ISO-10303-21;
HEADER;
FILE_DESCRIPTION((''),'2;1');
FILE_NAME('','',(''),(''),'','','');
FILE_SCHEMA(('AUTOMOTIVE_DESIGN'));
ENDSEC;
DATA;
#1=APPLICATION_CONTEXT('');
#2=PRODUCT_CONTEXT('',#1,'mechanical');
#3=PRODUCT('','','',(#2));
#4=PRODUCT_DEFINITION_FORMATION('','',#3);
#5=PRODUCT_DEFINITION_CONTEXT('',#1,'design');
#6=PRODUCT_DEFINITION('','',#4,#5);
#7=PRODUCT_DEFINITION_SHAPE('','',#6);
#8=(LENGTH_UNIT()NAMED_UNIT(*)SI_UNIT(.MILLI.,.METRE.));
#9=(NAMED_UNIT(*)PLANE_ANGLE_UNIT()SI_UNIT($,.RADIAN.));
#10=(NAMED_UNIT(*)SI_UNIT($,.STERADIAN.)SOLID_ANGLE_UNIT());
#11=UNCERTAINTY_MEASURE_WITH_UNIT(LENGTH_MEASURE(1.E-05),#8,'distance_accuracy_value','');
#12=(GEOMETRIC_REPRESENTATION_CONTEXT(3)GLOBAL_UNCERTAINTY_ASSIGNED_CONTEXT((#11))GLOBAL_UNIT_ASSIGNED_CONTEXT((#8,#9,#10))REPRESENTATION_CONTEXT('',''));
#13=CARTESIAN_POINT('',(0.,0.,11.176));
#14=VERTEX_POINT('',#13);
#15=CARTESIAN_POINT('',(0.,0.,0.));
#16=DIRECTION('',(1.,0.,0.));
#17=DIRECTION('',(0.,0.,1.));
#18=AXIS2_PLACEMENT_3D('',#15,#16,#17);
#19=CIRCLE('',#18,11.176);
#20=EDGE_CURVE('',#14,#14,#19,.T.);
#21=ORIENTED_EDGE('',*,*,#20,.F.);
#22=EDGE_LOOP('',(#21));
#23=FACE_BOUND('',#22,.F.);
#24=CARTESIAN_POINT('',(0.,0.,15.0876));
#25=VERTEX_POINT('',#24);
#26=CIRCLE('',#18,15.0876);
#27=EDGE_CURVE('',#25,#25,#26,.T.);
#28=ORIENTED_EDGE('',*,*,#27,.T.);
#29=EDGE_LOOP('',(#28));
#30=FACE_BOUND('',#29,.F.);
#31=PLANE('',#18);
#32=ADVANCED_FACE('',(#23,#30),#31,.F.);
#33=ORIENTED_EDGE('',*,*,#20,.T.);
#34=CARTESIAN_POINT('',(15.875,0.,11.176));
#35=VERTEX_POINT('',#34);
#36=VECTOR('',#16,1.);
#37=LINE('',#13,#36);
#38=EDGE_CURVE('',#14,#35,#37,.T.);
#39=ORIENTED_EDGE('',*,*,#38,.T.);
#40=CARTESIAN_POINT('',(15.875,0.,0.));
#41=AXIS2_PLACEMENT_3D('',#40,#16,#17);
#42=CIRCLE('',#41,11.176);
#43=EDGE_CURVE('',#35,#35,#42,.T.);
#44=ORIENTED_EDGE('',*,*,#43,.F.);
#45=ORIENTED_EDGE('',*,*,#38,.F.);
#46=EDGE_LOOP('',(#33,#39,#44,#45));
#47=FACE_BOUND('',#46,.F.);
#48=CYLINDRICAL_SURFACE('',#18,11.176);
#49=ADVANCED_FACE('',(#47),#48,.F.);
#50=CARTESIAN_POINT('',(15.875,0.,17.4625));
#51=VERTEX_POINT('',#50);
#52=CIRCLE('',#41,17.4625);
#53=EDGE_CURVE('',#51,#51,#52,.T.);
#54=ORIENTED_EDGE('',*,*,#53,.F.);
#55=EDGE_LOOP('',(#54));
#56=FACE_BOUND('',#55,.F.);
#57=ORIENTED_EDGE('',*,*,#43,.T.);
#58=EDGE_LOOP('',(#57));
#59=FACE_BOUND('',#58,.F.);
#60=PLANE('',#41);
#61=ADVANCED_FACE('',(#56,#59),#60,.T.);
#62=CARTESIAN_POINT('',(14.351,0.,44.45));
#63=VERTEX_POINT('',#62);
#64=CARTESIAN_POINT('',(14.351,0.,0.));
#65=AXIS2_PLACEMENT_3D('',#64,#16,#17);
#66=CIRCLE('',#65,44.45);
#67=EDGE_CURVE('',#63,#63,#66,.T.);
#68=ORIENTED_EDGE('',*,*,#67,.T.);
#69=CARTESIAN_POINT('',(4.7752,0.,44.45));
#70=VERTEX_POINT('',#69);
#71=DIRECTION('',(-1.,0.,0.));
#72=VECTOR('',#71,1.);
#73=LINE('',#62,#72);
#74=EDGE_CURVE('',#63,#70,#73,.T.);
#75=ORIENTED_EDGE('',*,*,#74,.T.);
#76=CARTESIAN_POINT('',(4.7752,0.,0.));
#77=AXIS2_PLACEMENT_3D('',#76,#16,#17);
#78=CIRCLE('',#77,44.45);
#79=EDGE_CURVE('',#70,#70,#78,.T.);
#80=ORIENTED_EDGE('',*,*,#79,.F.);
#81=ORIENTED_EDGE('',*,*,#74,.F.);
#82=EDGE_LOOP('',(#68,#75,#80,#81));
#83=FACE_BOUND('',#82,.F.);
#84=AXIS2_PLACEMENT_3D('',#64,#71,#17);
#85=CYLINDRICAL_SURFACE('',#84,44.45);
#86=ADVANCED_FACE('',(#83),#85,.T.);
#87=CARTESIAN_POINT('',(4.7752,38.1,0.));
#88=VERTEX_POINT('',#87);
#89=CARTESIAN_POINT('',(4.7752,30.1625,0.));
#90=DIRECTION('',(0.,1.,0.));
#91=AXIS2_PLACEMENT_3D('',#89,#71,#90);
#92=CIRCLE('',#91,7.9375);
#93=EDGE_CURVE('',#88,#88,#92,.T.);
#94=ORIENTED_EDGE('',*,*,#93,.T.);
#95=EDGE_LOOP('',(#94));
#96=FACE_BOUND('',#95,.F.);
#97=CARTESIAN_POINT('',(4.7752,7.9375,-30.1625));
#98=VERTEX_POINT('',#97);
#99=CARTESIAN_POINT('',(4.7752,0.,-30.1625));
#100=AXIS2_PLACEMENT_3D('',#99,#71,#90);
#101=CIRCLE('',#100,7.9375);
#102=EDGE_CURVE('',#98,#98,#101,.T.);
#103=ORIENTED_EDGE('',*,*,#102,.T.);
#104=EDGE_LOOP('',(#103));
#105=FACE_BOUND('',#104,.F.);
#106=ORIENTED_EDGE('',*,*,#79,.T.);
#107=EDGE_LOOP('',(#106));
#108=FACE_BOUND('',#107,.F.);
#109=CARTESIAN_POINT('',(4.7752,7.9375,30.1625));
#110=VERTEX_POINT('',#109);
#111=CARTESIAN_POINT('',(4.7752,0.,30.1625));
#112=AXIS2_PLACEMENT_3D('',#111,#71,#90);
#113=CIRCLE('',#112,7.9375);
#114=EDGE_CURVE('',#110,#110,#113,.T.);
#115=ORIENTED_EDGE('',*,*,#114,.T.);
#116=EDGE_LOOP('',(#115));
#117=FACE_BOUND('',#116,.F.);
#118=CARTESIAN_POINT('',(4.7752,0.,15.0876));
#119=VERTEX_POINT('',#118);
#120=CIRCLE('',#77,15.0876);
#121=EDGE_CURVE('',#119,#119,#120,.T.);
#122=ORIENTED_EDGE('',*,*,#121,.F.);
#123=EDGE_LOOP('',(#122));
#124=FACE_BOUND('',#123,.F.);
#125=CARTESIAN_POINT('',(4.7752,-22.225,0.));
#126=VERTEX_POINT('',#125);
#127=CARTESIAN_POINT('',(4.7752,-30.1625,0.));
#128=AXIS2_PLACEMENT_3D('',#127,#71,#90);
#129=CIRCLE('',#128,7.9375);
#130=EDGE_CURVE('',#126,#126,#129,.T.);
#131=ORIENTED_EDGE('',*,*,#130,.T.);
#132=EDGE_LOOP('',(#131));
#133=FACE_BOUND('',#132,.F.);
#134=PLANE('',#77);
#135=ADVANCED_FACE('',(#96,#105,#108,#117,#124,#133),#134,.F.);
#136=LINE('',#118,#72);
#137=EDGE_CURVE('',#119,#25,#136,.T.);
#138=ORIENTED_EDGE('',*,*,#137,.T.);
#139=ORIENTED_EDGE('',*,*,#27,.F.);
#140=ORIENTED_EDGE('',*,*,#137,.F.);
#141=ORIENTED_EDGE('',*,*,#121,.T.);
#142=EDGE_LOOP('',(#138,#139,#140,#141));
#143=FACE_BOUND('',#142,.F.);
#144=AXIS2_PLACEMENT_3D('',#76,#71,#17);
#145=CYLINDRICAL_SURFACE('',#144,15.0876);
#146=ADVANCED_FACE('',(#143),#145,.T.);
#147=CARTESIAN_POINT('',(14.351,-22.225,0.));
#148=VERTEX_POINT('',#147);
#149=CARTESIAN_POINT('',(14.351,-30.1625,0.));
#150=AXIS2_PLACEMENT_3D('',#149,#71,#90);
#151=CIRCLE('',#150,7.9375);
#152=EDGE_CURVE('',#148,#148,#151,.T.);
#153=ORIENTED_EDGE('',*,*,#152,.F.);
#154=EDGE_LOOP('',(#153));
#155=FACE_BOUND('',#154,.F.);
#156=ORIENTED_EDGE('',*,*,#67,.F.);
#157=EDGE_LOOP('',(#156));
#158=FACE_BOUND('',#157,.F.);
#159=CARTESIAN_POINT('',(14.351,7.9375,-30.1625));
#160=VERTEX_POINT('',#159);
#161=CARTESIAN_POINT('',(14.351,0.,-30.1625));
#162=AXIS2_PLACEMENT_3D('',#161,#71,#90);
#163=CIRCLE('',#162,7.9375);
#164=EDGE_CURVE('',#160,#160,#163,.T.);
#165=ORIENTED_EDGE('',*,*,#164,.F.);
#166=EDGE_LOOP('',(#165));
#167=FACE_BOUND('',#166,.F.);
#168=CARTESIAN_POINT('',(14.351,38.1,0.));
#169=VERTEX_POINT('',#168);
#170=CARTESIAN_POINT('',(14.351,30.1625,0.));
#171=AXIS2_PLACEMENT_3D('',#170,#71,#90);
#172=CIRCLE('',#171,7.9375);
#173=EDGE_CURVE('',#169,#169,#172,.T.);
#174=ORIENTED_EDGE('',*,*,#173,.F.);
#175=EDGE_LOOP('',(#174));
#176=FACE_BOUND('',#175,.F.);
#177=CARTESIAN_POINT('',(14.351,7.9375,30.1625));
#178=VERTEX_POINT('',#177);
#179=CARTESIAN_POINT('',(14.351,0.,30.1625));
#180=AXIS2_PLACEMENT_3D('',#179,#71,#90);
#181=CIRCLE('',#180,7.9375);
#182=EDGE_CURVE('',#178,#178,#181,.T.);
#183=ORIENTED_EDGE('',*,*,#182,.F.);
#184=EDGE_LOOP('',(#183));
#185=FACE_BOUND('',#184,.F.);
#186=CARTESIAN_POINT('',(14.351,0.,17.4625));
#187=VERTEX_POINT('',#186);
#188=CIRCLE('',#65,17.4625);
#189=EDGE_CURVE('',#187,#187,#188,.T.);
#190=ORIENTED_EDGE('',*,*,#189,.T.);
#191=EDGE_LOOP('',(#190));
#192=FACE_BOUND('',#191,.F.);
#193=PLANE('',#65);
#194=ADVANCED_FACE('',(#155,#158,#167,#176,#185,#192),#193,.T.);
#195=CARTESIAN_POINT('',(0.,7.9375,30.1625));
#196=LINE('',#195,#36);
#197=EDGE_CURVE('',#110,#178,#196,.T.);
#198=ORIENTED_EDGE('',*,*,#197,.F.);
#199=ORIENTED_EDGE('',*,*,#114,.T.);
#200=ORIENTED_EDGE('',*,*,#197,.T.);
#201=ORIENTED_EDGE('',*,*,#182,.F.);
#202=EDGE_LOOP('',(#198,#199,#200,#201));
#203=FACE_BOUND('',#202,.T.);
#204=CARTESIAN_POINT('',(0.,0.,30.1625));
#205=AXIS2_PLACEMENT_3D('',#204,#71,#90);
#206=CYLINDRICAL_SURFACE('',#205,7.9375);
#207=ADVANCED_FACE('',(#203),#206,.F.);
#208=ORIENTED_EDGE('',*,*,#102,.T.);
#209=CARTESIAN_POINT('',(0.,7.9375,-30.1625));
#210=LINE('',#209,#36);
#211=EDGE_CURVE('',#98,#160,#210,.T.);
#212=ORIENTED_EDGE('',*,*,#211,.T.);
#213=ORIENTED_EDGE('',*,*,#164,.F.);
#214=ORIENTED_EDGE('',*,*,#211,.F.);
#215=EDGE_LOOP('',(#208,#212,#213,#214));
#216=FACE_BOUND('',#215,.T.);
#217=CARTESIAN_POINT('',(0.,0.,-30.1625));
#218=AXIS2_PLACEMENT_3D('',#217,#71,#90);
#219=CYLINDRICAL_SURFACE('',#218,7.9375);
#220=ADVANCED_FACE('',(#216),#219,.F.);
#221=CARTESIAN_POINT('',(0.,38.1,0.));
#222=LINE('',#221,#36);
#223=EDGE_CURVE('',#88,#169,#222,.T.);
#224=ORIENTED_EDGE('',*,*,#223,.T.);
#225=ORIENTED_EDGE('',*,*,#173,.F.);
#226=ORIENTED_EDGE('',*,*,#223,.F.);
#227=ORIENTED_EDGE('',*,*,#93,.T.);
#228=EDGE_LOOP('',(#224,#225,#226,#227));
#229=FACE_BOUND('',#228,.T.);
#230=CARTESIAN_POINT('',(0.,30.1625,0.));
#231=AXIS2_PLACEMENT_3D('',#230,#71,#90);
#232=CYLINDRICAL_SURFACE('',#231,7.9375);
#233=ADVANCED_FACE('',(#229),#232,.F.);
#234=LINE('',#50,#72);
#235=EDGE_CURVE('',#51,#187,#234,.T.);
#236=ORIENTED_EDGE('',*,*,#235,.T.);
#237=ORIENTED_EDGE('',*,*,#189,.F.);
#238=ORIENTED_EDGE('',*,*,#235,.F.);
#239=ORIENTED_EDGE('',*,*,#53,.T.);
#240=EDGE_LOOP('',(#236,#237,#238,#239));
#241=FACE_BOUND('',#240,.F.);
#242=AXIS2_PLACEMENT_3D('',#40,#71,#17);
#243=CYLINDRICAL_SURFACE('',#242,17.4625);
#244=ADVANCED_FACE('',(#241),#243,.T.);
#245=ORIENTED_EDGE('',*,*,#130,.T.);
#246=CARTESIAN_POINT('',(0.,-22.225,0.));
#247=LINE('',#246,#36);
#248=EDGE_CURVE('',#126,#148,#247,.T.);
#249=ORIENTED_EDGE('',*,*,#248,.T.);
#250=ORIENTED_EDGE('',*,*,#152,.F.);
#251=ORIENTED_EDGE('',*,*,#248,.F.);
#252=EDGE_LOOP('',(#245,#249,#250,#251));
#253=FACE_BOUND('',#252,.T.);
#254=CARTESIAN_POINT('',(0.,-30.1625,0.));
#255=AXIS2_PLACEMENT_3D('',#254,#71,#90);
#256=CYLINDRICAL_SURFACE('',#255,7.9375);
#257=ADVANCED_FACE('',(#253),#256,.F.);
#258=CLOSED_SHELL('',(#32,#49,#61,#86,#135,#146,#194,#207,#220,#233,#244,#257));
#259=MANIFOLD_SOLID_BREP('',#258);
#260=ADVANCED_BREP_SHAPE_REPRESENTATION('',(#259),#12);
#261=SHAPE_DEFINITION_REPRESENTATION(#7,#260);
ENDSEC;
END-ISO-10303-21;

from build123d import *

# Parameters (mm, degrees)
F2_R     = 7.9375
F3_DEPTH = 15.876


with BuildPart() as f1:
    # F0 (on Front) → F1 (revolve)
    with BuildSketch(Plane.XZ):
        Polygon((0, 15.0876), (0, 11.176), (15.875, 11.176), (15.875, 17.4625), (14.351, 17.4625), (14.351, 44.45), (4.7752, 44.45), (4.7752, 15.0876), align=None)
    revolve(axis=Axis((6.739925, 0, 0), (1, 0, 0)))

    # F2 (on Right) → F3 (cut, through all)
    with BuildSketch(Plane.YZ):
        with Locations((0, 30.1625)):
            Circle(F2_R)
        with Locations((-30.1625, 0)):
            Circle(F2_R)
        with Locations((0, -30.1625)):
            Circle(F2_R)
        with Locations((30.1625, 0)):
            Circle(F2_R)
    extrude(amount=F3_DEPTH, mode=Mode.SUBTRACT)


solid = f1.part
